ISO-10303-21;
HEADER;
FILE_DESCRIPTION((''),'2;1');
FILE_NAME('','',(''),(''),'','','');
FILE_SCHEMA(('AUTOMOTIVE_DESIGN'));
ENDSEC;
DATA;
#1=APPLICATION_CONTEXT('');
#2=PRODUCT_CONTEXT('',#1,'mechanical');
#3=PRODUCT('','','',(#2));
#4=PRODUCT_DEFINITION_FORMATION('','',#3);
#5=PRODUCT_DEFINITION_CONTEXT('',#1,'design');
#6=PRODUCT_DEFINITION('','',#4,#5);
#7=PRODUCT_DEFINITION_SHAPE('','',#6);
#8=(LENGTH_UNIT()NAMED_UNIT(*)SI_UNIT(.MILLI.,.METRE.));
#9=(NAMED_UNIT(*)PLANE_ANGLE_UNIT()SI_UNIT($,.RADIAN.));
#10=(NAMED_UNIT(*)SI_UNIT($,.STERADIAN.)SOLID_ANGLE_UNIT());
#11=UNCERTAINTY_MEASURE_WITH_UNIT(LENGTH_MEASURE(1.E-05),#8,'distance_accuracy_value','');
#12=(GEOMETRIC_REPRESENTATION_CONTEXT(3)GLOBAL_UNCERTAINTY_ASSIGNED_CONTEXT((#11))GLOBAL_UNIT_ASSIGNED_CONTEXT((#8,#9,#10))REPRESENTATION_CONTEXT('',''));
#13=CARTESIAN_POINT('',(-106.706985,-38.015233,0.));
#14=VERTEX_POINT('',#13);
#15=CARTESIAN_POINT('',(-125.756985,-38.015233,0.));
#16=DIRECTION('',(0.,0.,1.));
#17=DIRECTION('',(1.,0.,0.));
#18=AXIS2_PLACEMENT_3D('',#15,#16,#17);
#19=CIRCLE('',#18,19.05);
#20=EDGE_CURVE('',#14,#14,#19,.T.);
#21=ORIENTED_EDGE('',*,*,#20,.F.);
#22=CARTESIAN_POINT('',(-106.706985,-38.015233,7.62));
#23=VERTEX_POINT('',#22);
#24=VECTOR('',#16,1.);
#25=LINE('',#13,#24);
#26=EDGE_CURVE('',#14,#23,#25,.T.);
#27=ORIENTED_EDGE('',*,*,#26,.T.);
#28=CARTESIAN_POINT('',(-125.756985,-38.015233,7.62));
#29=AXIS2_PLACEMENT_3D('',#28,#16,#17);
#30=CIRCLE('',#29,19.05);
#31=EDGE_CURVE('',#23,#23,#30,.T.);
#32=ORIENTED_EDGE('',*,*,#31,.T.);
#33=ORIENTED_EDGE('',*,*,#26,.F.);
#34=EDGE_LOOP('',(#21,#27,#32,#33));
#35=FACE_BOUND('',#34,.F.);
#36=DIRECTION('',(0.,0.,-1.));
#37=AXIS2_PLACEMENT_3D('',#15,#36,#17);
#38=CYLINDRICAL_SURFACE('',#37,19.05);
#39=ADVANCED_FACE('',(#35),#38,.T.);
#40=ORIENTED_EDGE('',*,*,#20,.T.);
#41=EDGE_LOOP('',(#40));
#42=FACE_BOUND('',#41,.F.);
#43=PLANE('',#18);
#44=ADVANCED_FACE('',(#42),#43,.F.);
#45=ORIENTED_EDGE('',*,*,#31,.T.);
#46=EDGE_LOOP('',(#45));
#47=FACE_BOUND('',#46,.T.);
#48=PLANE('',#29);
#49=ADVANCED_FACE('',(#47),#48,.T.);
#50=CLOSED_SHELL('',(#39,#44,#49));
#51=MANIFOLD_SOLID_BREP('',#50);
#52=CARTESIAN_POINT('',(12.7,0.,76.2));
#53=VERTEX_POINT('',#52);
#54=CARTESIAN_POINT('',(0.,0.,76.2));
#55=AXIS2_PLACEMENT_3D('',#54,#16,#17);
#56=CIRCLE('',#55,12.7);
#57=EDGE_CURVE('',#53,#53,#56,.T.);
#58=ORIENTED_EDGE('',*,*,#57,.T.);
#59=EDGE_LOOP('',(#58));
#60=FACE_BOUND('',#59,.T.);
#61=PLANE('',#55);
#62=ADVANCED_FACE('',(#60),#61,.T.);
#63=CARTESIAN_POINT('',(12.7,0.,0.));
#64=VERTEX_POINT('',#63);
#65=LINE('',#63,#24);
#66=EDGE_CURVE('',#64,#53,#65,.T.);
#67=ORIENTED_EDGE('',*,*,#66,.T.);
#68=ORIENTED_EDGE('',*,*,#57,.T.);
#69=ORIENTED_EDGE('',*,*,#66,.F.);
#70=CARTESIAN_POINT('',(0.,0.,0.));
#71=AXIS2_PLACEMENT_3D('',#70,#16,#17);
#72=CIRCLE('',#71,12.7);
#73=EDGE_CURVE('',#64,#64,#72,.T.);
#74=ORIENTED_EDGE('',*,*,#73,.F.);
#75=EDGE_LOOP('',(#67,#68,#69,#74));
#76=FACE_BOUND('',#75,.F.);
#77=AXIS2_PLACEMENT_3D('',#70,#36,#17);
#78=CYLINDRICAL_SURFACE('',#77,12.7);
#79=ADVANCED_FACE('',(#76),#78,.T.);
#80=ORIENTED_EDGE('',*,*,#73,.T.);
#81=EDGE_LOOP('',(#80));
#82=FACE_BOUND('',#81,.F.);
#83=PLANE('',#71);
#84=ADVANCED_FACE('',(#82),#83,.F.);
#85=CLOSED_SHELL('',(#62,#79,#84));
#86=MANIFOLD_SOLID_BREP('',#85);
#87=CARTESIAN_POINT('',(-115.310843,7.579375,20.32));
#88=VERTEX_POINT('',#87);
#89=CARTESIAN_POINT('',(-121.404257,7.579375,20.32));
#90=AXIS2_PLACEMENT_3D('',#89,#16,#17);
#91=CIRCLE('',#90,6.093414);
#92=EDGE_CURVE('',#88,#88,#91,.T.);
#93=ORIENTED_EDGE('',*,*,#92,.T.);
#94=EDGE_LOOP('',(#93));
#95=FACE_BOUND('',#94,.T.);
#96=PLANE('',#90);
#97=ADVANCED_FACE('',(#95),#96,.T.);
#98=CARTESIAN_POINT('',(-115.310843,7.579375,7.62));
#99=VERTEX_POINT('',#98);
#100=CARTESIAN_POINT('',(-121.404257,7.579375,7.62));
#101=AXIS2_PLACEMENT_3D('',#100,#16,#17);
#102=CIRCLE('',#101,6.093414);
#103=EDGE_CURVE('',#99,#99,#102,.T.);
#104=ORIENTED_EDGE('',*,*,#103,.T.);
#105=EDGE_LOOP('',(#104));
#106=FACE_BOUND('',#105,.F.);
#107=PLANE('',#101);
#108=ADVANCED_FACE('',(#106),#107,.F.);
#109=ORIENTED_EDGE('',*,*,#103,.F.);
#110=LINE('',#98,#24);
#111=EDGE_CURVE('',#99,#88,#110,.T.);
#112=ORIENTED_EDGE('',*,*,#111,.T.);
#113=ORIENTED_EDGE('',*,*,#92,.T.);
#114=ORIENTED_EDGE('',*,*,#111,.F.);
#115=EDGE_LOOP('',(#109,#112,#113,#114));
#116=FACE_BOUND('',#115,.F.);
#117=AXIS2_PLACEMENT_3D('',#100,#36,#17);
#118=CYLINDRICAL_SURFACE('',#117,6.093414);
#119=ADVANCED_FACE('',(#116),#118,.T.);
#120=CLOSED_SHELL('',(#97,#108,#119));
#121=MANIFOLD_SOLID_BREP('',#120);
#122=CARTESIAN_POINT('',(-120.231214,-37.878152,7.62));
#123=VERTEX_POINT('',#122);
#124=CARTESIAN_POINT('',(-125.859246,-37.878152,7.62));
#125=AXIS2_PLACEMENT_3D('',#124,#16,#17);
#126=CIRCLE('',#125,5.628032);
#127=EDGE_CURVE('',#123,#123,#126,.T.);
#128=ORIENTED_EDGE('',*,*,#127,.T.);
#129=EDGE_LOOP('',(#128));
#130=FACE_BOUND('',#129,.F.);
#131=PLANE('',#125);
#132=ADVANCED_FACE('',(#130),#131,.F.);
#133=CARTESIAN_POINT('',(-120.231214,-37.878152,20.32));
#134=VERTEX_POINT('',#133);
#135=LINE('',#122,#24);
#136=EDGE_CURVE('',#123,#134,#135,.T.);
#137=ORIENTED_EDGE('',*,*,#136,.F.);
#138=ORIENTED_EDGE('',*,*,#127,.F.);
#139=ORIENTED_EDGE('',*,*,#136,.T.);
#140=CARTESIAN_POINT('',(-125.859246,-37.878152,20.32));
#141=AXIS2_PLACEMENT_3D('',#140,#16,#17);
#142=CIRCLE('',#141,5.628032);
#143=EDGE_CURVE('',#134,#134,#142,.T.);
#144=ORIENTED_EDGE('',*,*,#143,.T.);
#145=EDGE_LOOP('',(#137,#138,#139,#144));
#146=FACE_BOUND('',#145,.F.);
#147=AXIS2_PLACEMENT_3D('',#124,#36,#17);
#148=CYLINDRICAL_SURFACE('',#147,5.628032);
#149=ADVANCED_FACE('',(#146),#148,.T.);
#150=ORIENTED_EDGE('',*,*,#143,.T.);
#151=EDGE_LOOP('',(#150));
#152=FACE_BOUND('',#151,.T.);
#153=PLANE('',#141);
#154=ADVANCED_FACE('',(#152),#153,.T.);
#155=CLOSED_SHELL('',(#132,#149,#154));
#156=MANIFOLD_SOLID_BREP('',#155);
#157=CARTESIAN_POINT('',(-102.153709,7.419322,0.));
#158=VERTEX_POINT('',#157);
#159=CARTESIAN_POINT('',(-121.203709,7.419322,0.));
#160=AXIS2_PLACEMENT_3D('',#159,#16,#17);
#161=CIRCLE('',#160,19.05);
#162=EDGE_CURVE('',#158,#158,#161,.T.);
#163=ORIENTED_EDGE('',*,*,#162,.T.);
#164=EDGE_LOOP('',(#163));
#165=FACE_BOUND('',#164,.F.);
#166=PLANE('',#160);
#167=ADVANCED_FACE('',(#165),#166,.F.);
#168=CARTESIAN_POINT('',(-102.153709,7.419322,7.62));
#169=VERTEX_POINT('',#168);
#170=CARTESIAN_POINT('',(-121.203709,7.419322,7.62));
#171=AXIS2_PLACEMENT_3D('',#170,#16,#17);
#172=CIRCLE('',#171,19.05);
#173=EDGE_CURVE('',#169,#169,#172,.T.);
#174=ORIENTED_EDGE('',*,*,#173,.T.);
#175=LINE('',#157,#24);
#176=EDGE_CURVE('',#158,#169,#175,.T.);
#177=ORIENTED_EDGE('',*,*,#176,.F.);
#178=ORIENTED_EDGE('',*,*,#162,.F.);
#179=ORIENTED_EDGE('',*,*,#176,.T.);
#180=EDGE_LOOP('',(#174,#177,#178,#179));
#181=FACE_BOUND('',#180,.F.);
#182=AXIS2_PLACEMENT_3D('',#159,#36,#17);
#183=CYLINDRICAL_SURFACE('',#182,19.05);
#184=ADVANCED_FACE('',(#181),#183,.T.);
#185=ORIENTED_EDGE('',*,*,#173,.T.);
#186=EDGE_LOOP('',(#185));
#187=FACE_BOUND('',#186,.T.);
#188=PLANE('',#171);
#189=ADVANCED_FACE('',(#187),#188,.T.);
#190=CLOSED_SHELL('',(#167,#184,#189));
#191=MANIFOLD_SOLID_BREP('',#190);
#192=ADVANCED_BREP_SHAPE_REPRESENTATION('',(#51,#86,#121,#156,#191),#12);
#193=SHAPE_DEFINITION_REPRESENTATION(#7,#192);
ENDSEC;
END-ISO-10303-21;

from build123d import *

# Parameters (mm, degrees)
F0_R     = 19.05
F1_DEPTH = 7.62
F2_R     = 12.7
F3_DEPTH = 76.2
F5_R     = 6.093414
F5_R_2   = 5.628032
F6_DEPTH = 12.7


with BuildPart() as f1:
    # F0 (on Top) → F1 (new body)
    with BuildSketch(Plane.XY):
        with Locations((-121.203709, 7.419322)):
            Circle(F0_R)
        with Locations((-125.756985, -38.015233)):
            Circle(F0_R)
    extrude(amount=F1_DEPTH)


with BuildPart() as f3:
    # F2 (on Top) → F3 (new body)
    with BuildSketch(Plane.XY):
        Circle(F2_R)
    extrude(amount=F3_DEPTH)


with BuildPart() as f6:
    # F5 (on offset) → F6 (new body)
    with BuildSketch(Plane.XY.offset(7.62)):
        with Locations((-121.404257, 7.579375)):
            Circle(F5_R)
        with Locations((-125.859246, -37.878152)):
            Circle(F5_R_2)
    extrude(amount=F6_DEPTH)


solid = Compound([f1.part, f3.part, f6.part])
